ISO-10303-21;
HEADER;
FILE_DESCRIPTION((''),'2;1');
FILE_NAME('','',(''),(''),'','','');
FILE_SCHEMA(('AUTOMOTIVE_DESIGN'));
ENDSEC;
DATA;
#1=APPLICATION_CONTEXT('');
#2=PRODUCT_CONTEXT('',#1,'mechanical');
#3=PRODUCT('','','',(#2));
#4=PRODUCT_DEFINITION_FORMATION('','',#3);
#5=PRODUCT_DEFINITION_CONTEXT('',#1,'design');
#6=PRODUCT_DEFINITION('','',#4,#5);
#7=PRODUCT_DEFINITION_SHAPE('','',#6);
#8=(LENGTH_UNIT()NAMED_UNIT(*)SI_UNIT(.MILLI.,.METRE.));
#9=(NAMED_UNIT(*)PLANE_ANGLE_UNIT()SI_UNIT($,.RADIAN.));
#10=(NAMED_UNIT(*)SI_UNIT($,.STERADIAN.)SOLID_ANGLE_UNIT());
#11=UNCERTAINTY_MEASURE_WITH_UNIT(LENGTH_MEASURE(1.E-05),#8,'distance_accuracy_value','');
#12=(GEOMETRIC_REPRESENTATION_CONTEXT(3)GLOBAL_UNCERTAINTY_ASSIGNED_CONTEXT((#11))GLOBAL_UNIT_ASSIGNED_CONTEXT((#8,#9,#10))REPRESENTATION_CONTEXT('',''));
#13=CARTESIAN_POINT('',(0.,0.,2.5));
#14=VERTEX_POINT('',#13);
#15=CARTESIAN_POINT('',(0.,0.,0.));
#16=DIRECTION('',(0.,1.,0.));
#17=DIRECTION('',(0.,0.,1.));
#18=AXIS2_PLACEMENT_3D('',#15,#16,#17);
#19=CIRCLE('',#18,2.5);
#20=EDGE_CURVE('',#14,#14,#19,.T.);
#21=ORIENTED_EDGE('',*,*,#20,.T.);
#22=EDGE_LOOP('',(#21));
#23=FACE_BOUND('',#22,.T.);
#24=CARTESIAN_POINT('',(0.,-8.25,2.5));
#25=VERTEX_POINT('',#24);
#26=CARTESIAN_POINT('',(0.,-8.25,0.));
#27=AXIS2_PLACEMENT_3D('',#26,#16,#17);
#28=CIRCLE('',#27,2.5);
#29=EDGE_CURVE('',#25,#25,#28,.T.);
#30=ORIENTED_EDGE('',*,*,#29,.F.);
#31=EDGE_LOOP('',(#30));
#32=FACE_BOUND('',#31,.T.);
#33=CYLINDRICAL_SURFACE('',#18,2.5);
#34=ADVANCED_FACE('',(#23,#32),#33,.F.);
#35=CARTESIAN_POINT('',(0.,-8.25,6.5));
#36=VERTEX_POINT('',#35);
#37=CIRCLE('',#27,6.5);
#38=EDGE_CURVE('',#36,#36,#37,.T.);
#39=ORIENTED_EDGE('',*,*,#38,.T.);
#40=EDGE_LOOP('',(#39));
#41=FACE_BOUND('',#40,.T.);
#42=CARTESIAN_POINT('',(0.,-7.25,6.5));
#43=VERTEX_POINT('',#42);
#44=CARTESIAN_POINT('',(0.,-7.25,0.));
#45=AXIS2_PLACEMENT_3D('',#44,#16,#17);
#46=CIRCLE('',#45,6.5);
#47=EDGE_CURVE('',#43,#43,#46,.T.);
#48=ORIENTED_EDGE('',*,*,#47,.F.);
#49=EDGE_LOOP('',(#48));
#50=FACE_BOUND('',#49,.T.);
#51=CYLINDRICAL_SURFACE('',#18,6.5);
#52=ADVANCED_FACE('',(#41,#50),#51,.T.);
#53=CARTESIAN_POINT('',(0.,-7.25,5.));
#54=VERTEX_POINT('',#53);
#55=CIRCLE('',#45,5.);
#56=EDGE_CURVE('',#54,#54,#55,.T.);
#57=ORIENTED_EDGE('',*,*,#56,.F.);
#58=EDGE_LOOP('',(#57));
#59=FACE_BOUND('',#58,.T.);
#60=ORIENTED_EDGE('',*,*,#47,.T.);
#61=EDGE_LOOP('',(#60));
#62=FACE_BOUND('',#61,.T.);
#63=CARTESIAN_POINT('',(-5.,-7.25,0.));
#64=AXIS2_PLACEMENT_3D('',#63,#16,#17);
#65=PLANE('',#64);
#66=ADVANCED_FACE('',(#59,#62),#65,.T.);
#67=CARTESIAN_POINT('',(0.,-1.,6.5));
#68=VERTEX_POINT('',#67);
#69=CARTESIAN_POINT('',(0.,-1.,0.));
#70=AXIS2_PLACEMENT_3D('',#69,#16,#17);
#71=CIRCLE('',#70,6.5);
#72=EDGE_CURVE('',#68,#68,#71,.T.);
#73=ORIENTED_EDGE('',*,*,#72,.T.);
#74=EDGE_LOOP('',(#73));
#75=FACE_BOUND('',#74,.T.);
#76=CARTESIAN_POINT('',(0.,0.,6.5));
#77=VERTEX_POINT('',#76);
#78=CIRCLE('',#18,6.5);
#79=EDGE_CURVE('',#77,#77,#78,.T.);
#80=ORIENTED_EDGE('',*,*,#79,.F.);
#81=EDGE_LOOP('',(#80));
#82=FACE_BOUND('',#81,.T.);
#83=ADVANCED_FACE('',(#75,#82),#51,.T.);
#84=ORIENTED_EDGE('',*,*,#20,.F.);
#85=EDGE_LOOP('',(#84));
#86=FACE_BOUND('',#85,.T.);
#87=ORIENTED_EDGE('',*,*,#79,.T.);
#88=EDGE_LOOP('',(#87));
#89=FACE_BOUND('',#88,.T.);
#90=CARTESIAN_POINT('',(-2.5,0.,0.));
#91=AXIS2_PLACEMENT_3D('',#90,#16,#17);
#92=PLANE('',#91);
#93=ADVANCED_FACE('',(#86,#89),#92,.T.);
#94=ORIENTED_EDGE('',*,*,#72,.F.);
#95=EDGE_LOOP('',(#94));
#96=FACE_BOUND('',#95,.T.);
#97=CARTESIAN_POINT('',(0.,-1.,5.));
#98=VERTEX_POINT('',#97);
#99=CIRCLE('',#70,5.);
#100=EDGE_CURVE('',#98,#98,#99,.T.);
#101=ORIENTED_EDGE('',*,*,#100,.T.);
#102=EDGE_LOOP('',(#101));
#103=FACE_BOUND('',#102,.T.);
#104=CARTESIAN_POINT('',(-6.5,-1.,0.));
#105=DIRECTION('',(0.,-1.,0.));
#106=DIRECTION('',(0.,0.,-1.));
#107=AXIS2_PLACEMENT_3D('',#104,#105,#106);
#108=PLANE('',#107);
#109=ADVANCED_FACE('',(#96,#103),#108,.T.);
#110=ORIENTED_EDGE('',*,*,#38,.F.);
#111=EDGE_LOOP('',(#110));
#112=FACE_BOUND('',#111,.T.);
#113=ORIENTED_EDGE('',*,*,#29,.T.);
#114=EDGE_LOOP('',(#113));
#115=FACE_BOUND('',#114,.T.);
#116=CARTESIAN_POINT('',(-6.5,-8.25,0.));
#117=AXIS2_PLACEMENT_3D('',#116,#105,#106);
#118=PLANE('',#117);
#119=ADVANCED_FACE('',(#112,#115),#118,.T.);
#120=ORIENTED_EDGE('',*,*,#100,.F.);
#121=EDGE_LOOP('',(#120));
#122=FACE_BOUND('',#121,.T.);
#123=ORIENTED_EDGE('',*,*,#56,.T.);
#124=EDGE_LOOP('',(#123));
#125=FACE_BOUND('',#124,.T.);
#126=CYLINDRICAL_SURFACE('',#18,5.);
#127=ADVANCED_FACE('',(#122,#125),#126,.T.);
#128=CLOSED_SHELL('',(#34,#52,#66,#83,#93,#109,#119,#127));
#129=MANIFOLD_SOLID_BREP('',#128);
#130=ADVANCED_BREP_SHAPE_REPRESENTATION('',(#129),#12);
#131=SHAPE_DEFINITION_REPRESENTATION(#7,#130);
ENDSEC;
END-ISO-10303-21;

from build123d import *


with BuildPart() as part:
    # Esquisse1 → Révolution1 (revolve)
    with BuildSketch(Plane.XY, mode=Mode.PRIVATE) as r_volution1_sk:
        Polygon((-2.5, -8.25), (-2.5, 0), (-6.5, 0), (-6.5, -1), (-5, -1), (-5, -7.25), (-6.5, -7.25), (-6.5, -8.25), align=None)
    revolve(r_volution1_sk.sketch.rotate(Axis((0, 0, 0), (0, -1, 0)), 270), axis=Axis((0, 0, 0), (0, -1, 0)))


solid = part.part
